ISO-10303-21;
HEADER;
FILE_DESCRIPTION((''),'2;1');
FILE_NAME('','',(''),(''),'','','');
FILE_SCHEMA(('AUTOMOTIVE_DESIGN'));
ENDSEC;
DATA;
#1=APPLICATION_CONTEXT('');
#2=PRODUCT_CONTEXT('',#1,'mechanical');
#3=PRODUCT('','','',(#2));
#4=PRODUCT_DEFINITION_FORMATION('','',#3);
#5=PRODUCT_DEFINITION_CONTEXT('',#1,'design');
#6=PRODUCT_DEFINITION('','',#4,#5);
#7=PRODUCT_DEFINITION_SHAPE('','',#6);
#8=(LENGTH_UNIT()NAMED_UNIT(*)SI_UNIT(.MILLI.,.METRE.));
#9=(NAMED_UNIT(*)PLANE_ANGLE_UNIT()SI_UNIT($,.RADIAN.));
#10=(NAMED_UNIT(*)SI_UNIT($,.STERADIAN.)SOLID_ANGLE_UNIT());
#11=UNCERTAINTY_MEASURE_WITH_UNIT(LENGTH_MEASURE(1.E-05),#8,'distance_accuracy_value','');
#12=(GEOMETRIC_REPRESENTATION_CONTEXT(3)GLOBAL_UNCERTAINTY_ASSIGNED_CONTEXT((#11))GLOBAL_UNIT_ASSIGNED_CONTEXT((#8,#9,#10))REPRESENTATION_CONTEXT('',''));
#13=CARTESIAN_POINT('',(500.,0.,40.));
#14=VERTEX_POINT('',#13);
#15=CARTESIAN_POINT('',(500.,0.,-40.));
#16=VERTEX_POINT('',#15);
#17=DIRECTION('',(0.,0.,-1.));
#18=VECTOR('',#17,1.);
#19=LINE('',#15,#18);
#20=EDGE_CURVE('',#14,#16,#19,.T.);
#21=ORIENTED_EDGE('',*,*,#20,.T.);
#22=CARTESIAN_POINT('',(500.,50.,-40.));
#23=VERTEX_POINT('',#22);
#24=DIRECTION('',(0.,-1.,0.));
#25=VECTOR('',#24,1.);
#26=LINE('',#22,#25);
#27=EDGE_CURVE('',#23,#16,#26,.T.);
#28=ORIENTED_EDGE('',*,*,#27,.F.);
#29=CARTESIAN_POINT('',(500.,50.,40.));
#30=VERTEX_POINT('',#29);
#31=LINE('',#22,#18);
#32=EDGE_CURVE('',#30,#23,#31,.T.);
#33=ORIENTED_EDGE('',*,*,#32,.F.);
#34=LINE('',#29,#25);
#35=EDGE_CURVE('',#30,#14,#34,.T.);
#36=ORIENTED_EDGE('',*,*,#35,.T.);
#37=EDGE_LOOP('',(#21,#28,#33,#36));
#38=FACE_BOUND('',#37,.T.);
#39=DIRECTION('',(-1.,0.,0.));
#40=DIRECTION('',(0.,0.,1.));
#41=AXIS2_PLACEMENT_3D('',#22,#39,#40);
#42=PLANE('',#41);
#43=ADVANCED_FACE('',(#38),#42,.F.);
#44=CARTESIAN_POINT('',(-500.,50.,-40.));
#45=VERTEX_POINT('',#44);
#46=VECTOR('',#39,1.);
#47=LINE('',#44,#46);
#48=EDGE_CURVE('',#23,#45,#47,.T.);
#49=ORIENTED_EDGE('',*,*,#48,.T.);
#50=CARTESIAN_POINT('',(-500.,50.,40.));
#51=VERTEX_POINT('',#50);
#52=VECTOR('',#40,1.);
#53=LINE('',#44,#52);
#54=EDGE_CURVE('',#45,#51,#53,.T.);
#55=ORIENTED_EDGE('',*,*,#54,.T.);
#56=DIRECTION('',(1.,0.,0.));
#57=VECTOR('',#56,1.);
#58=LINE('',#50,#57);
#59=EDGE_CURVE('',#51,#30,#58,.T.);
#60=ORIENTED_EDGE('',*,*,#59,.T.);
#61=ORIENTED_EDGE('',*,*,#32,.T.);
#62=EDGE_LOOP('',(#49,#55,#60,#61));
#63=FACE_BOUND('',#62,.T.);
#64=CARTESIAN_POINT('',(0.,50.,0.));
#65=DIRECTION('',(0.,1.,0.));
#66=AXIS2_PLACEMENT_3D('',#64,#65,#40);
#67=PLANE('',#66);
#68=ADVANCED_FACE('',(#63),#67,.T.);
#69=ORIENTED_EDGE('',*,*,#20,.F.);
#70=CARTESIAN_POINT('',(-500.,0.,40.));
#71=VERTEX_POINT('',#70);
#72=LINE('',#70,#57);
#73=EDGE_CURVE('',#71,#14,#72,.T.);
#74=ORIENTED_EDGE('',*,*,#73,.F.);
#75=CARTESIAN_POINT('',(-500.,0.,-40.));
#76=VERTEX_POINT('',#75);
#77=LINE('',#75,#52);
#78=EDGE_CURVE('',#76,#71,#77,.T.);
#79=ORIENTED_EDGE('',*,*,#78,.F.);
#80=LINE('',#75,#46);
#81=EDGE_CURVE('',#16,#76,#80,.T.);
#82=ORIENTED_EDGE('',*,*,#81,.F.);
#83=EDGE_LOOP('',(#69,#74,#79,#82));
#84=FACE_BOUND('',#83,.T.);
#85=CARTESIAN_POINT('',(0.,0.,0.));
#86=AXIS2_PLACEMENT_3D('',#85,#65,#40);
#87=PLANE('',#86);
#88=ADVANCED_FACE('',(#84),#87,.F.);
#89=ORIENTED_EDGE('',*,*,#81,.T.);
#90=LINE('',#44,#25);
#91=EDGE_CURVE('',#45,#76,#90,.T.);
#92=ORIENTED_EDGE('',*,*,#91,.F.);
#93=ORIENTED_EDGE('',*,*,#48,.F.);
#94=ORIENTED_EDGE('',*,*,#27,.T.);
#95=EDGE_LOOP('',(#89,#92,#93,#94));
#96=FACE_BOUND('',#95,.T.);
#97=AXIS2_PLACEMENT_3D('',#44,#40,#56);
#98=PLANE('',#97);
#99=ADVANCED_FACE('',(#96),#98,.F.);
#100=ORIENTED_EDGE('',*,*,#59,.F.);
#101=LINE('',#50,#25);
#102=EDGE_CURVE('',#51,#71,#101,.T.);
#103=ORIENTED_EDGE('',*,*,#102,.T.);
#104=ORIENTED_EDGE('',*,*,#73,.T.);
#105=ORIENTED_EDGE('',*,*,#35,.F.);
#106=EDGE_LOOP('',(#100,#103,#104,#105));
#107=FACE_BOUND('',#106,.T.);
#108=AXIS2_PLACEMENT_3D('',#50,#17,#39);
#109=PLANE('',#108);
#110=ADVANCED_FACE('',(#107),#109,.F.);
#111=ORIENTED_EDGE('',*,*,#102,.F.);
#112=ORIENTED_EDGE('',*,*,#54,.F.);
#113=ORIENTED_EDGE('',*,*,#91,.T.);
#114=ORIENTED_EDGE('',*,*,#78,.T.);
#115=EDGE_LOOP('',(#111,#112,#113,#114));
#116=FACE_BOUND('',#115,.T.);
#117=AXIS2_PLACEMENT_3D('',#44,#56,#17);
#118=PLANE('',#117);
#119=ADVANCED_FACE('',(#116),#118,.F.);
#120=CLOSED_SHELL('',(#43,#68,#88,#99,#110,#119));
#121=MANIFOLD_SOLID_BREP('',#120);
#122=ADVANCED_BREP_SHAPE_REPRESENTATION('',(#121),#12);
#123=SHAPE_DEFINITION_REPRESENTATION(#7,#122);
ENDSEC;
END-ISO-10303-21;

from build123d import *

# Parameters (mm, degrees)
SKETCH_1_W      = 1000
SKETCH_1_H      = 80
EXTRUDE_1_DEPTH = 50


with BuildPart() as part:
    # ｽｹｯﾁ1 → ﾎﾞｽ - 押し出し1 (new body)
    with BuildSketch(Plane(origin=(0, 0, 0), x_dir=(1, 0, 0), z_dir=(0, 1, 0))):
        Rectangle(SKETCH_1_W, SKETCH_1_H)
    extrude(amount=EXTRUDE_1_DEPTH)


solid = part.part
